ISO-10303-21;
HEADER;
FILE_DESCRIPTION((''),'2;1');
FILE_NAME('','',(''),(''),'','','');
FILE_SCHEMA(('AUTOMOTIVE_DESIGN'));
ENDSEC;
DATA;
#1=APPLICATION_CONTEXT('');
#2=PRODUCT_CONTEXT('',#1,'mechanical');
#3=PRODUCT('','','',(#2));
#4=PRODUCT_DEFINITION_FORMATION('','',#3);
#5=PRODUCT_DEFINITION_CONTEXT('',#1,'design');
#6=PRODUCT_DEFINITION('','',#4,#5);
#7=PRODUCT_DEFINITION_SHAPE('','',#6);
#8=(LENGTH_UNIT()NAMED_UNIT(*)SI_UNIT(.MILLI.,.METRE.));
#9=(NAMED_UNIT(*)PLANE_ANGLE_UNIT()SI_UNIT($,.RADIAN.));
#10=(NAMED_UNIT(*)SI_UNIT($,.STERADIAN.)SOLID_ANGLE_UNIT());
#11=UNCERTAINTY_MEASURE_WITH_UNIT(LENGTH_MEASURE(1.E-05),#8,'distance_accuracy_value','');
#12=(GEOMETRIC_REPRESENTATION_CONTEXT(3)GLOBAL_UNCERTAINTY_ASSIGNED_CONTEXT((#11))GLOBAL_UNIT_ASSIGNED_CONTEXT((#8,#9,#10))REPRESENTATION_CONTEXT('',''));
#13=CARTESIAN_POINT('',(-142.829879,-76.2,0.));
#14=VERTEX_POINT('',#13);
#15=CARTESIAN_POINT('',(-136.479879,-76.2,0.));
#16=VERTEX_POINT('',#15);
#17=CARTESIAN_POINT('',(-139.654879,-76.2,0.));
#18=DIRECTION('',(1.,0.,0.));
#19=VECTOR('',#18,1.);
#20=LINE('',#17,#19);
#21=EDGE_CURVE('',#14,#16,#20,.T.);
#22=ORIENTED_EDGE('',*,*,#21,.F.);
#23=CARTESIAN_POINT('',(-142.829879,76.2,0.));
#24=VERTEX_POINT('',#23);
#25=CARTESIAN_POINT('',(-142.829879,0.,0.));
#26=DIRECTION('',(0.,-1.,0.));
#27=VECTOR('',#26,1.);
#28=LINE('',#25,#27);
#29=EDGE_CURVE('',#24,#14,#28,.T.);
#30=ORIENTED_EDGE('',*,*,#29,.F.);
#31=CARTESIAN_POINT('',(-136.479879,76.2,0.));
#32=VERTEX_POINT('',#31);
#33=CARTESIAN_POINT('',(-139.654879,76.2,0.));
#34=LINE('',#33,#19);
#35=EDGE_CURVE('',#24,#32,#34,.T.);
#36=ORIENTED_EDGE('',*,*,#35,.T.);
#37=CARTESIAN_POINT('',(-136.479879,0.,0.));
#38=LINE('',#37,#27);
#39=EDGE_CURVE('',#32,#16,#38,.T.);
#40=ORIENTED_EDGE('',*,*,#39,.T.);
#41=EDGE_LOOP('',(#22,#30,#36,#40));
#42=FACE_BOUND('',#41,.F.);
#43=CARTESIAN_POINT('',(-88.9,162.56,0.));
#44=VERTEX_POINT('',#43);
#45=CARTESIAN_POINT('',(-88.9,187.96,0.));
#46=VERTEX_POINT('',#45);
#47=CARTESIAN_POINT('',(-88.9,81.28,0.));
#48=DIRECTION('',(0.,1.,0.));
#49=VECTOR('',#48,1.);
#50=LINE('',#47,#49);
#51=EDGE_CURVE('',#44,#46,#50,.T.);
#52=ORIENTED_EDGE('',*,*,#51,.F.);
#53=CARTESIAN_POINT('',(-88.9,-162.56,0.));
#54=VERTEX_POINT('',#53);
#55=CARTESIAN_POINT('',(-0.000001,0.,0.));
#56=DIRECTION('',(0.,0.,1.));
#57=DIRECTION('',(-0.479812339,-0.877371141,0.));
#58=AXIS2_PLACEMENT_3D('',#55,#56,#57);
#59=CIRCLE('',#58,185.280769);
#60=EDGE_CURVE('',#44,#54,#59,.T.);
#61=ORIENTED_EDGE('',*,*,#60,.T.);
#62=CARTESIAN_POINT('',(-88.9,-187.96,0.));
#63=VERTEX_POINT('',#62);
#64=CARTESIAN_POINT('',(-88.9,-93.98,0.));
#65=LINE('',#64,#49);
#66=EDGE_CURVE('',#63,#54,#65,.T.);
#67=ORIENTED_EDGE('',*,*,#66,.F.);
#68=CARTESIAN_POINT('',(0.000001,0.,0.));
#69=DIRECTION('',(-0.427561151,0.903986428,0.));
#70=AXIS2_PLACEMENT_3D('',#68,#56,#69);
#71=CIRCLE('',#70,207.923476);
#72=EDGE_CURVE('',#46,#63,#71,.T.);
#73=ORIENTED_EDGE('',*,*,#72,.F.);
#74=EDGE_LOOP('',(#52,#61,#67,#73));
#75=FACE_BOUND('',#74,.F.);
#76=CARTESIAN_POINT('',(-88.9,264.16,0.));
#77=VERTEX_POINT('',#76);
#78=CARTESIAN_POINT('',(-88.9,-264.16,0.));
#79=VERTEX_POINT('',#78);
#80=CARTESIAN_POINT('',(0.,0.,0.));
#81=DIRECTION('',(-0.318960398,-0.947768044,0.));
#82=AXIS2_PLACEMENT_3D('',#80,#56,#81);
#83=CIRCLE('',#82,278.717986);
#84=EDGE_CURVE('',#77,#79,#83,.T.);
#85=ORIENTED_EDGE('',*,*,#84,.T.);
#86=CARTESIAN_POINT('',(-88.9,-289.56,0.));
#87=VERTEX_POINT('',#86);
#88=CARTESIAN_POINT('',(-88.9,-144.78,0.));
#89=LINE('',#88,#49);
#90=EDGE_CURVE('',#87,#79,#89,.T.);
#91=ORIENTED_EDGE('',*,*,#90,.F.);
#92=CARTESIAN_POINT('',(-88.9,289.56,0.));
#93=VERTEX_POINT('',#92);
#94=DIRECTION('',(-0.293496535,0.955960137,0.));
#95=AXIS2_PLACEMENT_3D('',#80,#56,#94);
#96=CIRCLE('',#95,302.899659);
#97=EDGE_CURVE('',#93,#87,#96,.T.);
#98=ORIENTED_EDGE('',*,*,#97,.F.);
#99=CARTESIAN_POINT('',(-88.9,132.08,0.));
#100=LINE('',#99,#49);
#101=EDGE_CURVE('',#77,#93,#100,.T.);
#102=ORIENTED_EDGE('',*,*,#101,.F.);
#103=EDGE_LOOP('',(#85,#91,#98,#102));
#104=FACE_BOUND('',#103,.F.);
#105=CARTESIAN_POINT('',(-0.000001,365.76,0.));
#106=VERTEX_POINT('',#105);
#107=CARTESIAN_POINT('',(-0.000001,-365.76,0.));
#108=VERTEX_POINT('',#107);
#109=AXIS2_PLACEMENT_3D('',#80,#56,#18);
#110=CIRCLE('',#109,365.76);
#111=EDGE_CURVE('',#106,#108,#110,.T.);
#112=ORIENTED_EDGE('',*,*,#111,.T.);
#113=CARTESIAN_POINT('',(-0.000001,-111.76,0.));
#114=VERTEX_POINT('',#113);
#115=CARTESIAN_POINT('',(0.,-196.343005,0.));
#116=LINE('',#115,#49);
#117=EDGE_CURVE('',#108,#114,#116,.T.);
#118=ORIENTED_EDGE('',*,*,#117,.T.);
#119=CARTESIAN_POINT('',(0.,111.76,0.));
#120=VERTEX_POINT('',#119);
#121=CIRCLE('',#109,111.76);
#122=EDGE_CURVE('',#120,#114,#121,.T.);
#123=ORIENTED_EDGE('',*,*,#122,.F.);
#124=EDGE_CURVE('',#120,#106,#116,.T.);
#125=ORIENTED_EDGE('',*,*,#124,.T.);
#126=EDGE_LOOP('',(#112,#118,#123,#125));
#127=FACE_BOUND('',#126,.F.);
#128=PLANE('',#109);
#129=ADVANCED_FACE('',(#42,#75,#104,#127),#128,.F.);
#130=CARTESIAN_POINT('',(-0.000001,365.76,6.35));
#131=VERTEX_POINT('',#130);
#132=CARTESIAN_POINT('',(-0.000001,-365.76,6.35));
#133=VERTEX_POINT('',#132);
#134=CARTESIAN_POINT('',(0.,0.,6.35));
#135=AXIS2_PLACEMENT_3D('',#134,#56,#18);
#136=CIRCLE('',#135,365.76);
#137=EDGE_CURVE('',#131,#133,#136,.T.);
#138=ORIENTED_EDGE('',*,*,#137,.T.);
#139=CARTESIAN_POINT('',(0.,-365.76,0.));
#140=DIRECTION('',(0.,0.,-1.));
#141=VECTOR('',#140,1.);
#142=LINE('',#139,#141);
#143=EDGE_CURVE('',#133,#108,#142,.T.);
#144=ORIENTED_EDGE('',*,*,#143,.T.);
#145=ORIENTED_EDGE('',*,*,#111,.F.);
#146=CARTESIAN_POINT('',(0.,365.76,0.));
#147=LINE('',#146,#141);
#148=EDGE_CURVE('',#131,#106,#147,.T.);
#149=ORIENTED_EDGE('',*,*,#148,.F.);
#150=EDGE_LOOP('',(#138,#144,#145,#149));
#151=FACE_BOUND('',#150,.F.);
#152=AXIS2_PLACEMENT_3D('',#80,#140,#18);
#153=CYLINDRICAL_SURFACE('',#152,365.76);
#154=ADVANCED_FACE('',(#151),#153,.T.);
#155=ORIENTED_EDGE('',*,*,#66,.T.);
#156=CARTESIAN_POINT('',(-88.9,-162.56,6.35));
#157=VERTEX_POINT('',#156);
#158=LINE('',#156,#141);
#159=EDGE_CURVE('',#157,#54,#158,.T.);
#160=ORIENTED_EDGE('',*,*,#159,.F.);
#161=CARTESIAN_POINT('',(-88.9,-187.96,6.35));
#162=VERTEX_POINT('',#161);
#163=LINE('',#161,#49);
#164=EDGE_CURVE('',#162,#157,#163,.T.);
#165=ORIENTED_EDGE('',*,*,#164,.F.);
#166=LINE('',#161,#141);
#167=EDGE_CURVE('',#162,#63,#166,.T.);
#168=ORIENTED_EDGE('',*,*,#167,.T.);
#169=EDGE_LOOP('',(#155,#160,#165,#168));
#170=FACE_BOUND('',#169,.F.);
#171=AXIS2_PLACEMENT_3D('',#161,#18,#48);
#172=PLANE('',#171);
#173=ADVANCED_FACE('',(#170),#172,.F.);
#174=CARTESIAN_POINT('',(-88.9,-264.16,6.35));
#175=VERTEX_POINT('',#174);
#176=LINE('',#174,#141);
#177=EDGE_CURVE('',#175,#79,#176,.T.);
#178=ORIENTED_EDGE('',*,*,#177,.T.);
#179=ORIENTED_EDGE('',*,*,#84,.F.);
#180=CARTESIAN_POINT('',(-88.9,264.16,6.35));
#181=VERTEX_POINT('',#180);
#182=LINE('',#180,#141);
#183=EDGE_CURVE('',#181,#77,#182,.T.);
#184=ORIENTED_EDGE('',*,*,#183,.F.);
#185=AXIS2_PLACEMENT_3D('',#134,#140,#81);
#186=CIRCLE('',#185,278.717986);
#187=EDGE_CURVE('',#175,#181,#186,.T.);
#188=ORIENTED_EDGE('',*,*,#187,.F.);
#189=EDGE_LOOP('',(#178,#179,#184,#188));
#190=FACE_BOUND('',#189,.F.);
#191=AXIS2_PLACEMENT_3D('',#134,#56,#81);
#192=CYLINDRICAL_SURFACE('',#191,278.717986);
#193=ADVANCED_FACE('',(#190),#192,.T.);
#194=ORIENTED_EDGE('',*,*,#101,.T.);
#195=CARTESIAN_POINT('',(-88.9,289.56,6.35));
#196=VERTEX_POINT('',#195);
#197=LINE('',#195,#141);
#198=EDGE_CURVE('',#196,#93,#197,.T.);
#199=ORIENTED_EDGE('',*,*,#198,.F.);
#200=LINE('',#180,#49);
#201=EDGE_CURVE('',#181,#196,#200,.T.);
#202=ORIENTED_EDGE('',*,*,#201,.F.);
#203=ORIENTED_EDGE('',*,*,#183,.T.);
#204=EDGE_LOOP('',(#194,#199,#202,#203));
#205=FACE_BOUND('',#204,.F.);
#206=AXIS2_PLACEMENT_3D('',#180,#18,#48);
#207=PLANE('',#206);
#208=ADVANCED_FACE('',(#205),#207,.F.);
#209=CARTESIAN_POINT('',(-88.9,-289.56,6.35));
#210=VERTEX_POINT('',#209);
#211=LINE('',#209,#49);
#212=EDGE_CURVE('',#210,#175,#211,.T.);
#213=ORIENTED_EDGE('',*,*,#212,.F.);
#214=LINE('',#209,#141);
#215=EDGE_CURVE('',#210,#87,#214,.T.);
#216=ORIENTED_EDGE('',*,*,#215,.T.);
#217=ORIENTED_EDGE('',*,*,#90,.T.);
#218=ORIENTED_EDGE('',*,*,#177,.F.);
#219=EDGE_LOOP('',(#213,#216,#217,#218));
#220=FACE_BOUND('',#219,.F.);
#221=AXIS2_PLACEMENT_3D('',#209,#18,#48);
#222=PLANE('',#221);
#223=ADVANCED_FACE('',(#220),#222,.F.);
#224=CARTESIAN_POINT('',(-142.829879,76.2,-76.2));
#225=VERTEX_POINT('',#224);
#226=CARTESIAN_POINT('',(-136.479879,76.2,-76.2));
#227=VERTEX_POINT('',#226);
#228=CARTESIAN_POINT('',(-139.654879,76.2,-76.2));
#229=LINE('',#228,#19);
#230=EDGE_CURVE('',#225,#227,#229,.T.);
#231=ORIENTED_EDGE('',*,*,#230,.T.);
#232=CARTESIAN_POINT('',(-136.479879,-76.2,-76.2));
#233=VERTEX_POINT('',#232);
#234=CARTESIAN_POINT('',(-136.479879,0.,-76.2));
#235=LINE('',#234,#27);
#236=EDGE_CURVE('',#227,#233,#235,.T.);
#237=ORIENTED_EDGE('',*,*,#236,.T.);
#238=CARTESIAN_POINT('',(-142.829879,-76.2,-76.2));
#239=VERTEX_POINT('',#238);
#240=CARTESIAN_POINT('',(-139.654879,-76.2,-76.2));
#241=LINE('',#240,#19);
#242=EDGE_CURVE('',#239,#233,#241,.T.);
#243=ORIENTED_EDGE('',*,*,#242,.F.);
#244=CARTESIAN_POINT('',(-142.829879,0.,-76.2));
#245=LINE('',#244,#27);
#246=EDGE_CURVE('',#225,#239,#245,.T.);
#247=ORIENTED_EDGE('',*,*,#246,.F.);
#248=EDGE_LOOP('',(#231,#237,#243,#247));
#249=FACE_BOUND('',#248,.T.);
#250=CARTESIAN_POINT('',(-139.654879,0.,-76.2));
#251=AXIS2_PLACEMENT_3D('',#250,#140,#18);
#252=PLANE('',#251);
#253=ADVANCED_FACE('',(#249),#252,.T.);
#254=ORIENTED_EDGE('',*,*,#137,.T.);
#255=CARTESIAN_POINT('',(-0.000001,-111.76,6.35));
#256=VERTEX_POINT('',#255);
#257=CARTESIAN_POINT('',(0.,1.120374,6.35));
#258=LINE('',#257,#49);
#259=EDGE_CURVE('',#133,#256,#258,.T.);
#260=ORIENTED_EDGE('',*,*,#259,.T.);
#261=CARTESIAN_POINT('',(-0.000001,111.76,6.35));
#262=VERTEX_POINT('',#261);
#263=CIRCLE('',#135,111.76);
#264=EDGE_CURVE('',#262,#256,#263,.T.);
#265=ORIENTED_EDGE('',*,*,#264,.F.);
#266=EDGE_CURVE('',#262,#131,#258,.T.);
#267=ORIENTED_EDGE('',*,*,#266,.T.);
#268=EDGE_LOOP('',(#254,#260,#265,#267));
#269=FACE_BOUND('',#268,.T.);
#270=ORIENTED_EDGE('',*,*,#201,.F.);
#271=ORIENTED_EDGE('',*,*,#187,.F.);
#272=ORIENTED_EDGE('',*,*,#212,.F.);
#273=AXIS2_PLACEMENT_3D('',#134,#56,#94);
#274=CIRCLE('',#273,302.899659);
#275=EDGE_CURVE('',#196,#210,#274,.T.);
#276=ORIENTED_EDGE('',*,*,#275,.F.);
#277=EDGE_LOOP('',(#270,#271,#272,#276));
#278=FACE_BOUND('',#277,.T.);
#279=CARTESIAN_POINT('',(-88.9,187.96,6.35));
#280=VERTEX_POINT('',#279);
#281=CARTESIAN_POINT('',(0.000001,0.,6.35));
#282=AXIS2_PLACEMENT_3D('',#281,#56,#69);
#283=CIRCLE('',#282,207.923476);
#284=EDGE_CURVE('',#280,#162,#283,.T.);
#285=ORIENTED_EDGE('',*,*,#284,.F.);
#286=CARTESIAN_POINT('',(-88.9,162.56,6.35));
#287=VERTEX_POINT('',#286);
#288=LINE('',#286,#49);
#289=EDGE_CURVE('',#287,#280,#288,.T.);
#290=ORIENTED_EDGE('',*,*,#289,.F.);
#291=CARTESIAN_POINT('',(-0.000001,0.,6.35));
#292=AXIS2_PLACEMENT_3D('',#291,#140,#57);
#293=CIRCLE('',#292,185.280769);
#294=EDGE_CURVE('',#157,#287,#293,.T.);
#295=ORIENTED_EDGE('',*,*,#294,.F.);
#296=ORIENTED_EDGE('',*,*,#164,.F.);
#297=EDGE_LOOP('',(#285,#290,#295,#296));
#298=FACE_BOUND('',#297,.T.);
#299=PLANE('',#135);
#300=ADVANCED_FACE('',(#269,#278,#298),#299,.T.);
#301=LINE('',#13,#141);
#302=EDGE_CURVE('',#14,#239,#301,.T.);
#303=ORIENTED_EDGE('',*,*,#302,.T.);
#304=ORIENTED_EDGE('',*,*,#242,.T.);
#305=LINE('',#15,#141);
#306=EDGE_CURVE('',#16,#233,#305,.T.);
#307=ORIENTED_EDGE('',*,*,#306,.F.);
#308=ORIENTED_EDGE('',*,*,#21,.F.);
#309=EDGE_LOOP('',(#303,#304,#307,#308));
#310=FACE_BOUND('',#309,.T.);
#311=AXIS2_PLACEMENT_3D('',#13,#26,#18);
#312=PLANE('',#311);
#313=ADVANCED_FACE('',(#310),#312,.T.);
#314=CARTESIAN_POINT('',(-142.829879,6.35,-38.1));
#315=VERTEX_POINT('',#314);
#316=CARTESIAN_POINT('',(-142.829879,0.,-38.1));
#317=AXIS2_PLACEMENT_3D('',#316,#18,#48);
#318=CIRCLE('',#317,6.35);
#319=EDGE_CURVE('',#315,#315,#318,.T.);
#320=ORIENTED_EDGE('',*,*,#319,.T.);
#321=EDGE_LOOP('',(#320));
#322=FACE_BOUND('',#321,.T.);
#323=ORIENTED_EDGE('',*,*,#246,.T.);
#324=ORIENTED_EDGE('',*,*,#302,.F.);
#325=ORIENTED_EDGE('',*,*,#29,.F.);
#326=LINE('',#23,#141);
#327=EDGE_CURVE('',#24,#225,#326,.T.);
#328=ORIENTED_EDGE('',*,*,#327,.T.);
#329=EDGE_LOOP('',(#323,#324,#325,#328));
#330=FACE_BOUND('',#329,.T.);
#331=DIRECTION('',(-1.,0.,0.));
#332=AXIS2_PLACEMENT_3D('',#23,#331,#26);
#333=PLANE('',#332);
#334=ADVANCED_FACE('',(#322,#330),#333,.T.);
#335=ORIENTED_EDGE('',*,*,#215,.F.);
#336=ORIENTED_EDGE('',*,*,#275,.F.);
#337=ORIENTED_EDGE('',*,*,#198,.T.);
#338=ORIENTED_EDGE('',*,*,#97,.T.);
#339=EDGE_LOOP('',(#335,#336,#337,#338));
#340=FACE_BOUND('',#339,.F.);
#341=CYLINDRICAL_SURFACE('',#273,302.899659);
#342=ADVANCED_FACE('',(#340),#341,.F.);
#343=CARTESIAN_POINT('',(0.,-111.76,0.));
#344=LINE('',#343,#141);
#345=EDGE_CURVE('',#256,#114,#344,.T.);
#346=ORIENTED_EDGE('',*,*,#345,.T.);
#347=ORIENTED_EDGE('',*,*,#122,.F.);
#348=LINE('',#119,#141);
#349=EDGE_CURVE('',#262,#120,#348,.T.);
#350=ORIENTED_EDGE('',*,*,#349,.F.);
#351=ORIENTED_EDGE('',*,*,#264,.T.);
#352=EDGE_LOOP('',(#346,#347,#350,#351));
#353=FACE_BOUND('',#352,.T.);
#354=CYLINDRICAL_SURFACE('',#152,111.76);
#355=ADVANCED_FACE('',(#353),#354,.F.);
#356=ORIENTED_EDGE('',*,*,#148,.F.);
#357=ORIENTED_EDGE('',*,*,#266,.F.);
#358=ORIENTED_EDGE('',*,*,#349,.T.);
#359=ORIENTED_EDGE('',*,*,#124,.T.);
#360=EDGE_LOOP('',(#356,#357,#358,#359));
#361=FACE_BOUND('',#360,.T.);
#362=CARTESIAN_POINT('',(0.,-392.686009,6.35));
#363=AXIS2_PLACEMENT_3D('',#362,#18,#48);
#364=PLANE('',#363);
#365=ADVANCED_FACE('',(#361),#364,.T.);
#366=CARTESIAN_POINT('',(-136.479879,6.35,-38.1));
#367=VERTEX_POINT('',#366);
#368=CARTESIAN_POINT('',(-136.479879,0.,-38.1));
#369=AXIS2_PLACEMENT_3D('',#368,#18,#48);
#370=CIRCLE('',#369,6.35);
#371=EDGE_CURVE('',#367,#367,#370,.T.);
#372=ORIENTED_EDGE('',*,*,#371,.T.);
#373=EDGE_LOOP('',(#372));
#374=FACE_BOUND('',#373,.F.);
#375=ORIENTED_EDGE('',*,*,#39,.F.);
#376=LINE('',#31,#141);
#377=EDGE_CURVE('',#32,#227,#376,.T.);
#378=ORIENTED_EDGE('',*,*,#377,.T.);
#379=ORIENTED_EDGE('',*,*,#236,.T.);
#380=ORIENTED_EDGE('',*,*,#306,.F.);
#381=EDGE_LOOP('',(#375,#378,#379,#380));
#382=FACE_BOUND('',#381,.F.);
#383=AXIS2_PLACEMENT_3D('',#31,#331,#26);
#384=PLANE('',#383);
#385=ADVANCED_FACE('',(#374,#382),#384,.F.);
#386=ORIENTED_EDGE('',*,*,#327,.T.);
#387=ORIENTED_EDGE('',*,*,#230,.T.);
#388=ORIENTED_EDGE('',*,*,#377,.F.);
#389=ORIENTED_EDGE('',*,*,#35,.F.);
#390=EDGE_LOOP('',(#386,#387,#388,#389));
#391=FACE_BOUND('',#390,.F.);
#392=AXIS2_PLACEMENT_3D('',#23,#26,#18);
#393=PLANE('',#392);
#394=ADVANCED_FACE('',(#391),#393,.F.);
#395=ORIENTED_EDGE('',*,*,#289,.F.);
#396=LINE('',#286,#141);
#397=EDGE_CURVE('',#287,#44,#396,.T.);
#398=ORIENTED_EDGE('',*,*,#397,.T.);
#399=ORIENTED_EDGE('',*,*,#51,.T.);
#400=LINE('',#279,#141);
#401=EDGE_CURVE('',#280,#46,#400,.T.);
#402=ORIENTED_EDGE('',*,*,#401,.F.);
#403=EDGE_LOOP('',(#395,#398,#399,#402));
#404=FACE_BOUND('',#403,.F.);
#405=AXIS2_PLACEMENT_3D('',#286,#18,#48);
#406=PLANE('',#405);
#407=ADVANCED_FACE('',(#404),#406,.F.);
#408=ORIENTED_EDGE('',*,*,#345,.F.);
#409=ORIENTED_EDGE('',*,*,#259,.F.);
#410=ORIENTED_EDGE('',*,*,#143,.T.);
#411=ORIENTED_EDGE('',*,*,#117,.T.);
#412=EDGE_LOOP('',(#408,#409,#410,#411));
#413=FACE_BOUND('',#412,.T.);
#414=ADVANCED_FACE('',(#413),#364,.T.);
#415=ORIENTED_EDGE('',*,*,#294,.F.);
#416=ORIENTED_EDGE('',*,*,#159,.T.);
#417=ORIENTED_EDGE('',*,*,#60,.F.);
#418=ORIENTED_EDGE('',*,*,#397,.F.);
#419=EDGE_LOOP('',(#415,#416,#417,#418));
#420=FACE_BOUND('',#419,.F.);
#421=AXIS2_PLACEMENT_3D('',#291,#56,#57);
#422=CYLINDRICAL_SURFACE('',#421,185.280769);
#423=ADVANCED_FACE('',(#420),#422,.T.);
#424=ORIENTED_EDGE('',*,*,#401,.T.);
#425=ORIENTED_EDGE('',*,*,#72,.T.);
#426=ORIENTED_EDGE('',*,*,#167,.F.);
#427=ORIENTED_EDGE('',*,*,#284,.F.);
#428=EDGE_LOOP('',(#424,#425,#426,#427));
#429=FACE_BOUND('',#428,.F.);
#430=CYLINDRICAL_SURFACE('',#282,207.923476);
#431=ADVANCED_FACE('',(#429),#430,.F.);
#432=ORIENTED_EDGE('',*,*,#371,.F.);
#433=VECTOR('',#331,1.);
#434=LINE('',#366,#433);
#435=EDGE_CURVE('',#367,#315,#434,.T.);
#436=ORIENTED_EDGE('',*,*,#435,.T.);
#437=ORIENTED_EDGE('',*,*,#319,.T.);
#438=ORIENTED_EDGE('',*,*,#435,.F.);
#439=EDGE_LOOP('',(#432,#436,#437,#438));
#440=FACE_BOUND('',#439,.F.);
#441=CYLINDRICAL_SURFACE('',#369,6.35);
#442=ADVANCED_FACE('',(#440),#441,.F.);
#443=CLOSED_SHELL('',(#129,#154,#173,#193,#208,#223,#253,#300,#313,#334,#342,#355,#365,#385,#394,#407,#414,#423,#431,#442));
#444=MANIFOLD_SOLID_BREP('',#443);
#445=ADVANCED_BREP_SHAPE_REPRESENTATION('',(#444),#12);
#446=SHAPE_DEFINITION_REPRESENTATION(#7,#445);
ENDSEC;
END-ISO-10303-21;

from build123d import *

# Parameters (mm, degrees)
F0_R     = 365.76
F0_R_2   = 111.76
F1_DEPTH = 6.35
F2_W     = 380.011261
F2_H     = 787.612766
F3_DEPTH = 6.351
F5_DEPTH = 6.351
F6_W     = 6.35
F6_H     = 152.4
F7_DEPTH = 76.2
F8_R     = 6.35
F9_DEPTH = 229.281121


with BuildPart() as f1:
    # F0 (on Top) → F1 (new body)
    with BuildSketch(Plane.XY):
        Circle(F0_R)
        Circle(F0_R_2, mode=Mode.SUBTRACT)
    extrude(amount=F1_DEPTH)

    # F2 (on face) → F3 (cut, through all)
    with BuildSketch(Plane.XY.offset(6.35)):
        with Locations((190.00563, 1.120374)):
            Rectangle(F2_W, F2_H)
    extrude(amount=-F3_DEPTH, mode=Mode.SUBTRACT)

    # F4 (on face) → F5 (cut, through all)
    with BuildSketch(Plane.XY.offset(6.35)):
        with BuildLine():
            ThreePointArc((-88.9, 289.56), (-302.899659, 0), (-88.9, -289.56))
            Line((-88.9, -289.56), (-88.9, -264.16))
            ThreePointArc((-88.9, -264.16), (-278.717986, 0), (-88.9, 264.16))
            Line((-88.9, 264.16), (-88.9, 289.56))
        make_face()
        with BuildLine():
            ThreePointArc((-88.9, 187.96), (-207.923475, 0), (-88.9, -187.96))
            Line((-88.9, -187.96), (-88.9, -162.56))
            ThreePointArc((-88.9, -162.56), (-185.28077, 0), (-88.9, 162.56))
            Line((-88.9, 162.56), (-88.9, 187.96))
        make_face()
    extrude(amount=-F5_DEPTH, mode=Mode.SUBTRACT)

    # F6 (on face) → F7 (join)
    with BuildSketch(Plane(origin=(0, 0, 0), x_dir=(1, 0, 0), z_dir=(0, 0, -1))):
        with Locations((-139.654879, 0)):
            Rectangle(F6_W, F6_H)
    extrude(amount=F7_DEPTH)

    # F8 (on face) → F9 (cut, through all)
    with BuildSketch(Plane.YZ.offset(-136.479879)):
        with Locations((0, -38.1)):
            Circle(F8_R)
    extrude(amount=-F9_DEPTH, mode=Mode.SUBTRACT)


solid = f1.part
